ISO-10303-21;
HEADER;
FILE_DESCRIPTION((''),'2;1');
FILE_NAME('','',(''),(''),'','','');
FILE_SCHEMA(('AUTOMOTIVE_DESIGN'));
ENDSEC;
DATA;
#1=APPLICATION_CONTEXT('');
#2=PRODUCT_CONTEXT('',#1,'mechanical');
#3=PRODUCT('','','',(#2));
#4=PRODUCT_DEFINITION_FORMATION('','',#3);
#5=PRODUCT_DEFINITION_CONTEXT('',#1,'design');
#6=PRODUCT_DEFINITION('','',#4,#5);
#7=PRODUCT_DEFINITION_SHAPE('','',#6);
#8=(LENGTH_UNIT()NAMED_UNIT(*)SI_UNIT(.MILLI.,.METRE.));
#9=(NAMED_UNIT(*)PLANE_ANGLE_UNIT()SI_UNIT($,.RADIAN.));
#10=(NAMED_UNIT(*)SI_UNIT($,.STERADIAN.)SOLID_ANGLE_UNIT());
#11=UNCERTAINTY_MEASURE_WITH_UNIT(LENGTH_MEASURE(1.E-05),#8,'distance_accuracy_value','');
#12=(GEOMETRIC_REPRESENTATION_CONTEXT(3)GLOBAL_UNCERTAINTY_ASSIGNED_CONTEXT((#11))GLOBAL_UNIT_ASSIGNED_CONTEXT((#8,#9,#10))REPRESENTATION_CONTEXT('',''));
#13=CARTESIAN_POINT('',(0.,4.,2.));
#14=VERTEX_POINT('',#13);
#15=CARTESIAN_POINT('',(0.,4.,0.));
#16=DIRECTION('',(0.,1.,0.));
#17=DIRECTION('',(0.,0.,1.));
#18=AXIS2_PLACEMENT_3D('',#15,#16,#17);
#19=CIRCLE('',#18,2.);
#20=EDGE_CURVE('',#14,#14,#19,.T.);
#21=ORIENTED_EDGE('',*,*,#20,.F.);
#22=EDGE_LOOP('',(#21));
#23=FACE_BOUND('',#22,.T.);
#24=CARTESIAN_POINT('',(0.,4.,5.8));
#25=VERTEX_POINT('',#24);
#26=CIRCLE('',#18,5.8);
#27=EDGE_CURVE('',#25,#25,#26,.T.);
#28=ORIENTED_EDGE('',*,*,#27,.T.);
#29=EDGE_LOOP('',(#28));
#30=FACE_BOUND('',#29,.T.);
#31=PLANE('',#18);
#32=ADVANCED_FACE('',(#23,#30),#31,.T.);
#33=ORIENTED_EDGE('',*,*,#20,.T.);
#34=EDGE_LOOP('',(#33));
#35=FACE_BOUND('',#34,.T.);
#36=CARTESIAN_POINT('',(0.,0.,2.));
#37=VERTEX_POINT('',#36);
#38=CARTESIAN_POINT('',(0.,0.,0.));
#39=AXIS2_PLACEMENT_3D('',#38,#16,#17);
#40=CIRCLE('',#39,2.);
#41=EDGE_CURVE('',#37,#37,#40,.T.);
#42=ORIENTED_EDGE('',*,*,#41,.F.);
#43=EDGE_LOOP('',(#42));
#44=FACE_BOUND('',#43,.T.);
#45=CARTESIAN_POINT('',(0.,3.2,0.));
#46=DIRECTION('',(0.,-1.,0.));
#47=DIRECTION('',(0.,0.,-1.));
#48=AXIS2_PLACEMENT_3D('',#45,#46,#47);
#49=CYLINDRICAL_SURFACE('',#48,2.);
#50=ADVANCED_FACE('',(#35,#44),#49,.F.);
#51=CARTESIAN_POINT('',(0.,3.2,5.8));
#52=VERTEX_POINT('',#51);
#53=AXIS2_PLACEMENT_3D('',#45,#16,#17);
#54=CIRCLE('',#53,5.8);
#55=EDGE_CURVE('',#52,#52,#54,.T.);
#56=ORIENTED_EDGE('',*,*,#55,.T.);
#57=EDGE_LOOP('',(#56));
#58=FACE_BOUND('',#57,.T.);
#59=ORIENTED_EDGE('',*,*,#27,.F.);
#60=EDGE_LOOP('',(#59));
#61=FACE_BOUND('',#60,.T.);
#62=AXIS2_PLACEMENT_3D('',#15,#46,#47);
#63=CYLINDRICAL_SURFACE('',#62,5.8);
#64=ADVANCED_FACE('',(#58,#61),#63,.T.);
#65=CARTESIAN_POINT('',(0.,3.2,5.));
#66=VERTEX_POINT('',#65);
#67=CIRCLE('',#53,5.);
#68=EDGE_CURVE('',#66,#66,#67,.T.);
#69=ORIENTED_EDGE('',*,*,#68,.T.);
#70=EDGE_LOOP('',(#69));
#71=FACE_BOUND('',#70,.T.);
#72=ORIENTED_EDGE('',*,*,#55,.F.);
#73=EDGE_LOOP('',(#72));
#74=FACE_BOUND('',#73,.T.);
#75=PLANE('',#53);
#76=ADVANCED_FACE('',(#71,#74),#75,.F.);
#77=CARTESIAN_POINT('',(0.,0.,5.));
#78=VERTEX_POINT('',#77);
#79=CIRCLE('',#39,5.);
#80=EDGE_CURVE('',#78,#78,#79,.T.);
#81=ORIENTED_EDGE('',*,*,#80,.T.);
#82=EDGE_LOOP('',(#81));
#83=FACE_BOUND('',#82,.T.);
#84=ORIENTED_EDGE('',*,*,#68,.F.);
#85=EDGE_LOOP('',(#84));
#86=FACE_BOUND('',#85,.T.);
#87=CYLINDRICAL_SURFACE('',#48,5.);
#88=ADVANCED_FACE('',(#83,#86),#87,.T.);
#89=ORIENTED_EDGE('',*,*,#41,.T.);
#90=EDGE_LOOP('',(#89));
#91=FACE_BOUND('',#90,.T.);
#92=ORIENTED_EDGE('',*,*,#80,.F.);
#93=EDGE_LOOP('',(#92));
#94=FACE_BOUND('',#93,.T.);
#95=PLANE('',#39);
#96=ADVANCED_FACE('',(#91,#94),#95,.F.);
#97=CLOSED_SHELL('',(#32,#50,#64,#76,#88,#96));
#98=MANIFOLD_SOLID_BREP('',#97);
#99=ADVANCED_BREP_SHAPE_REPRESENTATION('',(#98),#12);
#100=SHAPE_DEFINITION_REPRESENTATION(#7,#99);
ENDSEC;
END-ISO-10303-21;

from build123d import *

# Parameters (mm, degrees)
SKETCH_1_R      = 5
SKETCH_1_R_2    = 2
EXTRUDE_1_DEPTH = 3.2
SKETCH_2_R      = 5.8
SKETCH_2_R_2    = 2
EXTRUDE_2_DEPTH = 0.8


with BuildPart() as part:
    # 草图1 → 凸台-拉伸1 (new body)
    with BuildSketch(Plane(origin=(0, 0, 0), x_dir=(1, 0, 0), z_dir=(0, 1, 0))):
        with Locations(Location((0, 0, 0), (0, 0, 270))):
            Circle(SKETCH_1_R)
        with Locations(Location((0, 0, 0), (0, 0, 270))):
            Circle(SKETCH_1_R_2, mode=Mode.SUBTRACT)
    extrude(amount=EXTRUDE_1_DEPTH)

    # 草图2 → 凸台-拉伸2 (add)
    with BuildSketch(Plane(origin=(0, 3.2, 0), x_dir=(1, 0, 0), z_dir=(0, 1, 0))):
        with Locations(Location((0, 0, 0), (0, 0, 270))):
            Circle(SKETCH_2_R)
        with Locations(Location((0, 0, 0), (0, 0, 270))):
            Circle(SKETCH_2_R_2, mode=Mode.SUBTRACT)
    extrude(amount=EXTRUDE_2_DEPTH)


solid = part.part
